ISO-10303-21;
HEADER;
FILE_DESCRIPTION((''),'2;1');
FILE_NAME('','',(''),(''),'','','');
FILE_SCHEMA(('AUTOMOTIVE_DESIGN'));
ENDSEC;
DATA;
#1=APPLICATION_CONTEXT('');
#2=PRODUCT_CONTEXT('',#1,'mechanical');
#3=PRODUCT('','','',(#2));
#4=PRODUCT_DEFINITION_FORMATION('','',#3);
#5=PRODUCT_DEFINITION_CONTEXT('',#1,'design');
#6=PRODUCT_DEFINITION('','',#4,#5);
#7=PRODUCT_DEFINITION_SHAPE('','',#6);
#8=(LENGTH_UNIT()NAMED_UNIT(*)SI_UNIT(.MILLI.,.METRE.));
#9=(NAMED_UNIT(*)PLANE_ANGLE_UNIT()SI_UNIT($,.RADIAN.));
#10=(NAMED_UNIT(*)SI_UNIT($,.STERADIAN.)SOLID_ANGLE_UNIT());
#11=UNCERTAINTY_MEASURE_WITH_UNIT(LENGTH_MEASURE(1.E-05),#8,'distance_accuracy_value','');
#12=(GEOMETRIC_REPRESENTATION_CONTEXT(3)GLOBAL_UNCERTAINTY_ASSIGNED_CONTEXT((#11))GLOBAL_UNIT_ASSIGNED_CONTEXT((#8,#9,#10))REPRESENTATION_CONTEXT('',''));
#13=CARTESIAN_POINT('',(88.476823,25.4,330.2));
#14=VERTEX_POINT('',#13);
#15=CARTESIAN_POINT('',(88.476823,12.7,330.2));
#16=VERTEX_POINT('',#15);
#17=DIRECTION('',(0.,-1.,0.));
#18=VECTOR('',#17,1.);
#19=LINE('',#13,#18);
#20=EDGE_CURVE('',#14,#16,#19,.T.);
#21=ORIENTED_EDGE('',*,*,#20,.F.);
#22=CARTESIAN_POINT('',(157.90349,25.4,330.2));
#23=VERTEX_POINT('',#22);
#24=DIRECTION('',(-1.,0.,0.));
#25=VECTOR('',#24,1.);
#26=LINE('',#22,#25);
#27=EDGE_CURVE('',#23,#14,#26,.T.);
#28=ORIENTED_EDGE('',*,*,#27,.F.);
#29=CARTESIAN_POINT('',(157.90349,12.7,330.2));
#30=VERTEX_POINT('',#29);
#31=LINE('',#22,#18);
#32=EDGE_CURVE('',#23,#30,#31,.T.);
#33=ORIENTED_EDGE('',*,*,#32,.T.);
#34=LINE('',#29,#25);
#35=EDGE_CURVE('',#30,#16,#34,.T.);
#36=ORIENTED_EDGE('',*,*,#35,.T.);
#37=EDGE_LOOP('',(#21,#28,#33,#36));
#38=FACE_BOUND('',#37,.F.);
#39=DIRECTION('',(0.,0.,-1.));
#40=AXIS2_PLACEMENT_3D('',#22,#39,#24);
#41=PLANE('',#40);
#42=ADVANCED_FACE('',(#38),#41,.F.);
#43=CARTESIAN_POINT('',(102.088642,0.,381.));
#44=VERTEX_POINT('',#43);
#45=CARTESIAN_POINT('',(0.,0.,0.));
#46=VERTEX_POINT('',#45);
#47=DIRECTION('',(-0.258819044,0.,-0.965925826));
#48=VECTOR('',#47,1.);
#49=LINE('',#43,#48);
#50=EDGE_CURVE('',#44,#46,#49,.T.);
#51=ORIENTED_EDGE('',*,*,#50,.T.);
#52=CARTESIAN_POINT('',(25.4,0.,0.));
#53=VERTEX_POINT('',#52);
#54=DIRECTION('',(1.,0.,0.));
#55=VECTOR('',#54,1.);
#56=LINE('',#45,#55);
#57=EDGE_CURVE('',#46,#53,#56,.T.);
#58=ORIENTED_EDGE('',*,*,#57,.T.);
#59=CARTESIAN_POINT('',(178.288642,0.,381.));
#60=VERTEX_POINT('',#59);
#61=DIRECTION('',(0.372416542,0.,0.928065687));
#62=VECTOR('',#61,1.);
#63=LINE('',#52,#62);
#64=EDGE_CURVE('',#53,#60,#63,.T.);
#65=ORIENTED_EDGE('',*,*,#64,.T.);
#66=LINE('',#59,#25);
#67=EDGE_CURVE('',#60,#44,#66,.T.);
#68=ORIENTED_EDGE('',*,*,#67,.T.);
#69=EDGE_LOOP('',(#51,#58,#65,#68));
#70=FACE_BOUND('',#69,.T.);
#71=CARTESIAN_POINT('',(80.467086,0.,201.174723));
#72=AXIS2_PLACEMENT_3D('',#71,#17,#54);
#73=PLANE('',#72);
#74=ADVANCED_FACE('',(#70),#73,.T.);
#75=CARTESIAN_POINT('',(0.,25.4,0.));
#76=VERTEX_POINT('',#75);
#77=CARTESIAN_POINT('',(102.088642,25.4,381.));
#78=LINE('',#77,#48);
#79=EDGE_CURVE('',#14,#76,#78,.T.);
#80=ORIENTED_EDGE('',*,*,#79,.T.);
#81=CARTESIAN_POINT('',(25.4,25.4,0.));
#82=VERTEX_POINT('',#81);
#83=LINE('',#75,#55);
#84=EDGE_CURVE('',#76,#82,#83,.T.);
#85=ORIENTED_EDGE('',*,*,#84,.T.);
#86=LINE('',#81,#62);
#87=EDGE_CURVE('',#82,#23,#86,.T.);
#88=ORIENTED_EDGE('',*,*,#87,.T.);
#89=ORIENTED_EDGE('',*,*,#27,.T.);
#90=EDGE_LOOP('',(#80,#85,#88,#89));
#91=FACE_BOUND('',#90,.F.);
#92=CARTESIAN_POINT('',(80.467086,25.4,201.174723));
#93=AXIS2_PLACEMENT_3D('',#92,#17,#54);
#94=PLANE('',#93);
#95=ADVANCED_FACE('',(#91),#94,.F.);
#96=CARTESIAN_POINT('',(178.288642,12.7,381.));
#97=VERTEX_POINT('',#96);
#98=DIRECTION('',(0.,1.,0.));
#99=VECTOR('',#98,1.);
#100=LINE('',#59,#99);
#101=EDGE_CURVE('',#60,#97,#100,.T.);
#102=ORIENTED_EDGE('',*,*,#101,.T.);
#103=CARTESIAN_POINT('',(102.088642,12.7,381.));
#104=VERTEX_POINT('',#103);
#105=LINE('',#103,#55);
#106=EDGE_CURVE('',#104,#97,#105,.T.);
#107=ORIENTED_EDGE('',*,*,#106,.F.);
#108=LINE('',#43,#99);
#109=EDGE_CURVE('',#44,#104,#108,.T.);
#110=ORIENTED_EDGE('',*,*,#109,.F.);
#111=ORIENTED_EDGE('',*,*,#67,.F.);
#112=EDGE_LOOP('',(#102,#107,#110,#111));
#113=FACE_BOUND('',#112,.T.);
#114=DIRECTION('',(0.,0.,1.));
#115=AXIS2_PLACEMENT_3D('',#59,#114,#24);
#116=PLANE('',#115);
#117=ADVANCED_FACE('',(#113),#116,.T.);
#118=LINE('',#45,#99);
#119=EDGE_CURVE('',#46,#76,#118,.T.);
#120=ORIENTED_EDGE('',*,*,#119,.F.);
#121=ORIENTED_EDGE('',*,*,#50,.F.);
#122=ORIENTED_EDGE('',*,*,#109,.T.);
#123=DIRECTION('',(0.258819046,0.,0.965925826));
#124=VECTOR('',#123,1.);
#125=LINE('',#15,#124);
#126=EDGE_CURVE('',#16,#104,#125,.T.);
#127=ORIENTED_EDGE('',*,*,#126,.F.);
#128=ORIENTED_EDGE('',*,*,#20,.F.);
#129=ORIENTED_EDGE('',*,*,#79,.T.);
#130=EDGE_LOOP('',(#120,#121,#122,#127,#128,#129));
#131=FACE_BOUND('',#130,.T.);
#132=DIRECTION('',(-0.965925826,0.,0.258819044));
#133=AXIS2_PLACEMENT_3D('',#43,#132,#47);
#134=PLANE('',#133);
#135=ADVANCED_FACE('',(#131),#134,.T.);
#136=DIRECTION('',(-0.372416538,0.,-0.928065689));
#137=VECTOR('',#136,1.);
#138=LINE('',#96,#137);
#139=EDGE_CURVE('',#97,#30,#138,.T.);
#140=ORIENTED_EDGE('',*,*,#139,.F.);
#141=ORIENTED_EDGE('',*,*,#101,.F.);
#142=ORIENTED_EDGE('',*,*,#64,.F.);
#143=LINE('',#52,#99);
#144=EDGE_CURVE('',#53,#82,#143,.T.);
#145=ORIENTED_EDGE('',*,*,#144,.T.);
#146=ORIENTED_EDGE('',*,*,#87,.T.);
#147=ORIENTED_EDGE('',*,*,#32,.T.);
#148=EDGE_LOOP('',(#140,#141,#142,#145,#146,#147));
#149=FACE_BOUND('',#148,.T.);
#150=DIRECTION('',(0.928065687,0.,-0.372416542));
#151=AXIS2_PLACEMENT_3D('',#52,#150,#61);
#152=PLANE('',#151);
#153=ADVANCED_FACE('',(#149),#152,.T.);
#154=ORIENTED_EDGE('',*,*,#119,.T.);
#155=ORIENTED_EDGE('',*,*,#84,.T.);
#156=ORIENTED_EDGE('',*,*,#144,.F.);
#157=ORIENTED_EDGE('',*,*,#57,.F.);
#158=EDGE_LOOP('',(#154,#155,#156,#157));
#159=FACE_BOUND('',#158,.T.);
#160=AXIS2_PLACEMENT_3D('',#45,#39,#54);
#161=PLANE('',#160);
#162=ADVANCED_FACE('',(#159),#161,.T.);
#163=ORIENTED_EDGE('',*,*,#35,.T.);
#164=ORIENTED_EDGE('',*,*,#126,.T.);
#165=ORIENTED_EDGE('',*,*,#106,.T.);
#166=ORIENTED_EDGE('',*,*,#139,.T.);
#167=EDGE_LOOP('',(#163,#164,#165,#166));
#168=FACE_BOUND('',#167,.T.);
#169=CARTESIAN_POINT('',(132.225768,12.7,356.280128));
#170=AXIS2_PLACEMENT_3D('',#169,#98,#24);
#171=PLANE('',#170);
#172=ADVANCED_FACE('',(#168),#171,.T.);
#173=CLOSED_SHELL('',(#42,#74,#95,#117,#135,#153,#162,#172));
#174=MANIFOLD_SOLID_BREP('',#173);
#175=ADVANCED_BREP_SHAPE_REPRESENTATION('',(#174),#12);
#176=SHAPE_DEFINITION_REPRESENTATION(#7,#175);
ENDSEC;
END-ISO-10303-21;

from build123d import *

# Parameters (mm, degrees)
F1_DEPTH = 25.4
F3_DEPTH = 12.7


with BuildPart() as f1:
    # F0 (on Front) → F1 (new body)
    with BuildSketch(Plane.XZ):
        Polygon((102.088642, 381), (0, 0), (25.4, 0), (178.288642, 381), align=None)
    extrude(amount=-F1_DEPTH)

    # F2 (on face) → F3 (cut)
    with BuildSketch(Plane(origin=(0, 25.4, 0), x_dir=(-1, 0, 0), z_dir=(0, 1, 0))):
        Polygon((-88.476823, 330.2), (-102.088642, 381), (-178.288642, 381), (-157.90349, 330.2), align=None)
    extrude(amount=-F3_DEPTH, mode=Mode.SUBTRACT)


solid = f1.part
